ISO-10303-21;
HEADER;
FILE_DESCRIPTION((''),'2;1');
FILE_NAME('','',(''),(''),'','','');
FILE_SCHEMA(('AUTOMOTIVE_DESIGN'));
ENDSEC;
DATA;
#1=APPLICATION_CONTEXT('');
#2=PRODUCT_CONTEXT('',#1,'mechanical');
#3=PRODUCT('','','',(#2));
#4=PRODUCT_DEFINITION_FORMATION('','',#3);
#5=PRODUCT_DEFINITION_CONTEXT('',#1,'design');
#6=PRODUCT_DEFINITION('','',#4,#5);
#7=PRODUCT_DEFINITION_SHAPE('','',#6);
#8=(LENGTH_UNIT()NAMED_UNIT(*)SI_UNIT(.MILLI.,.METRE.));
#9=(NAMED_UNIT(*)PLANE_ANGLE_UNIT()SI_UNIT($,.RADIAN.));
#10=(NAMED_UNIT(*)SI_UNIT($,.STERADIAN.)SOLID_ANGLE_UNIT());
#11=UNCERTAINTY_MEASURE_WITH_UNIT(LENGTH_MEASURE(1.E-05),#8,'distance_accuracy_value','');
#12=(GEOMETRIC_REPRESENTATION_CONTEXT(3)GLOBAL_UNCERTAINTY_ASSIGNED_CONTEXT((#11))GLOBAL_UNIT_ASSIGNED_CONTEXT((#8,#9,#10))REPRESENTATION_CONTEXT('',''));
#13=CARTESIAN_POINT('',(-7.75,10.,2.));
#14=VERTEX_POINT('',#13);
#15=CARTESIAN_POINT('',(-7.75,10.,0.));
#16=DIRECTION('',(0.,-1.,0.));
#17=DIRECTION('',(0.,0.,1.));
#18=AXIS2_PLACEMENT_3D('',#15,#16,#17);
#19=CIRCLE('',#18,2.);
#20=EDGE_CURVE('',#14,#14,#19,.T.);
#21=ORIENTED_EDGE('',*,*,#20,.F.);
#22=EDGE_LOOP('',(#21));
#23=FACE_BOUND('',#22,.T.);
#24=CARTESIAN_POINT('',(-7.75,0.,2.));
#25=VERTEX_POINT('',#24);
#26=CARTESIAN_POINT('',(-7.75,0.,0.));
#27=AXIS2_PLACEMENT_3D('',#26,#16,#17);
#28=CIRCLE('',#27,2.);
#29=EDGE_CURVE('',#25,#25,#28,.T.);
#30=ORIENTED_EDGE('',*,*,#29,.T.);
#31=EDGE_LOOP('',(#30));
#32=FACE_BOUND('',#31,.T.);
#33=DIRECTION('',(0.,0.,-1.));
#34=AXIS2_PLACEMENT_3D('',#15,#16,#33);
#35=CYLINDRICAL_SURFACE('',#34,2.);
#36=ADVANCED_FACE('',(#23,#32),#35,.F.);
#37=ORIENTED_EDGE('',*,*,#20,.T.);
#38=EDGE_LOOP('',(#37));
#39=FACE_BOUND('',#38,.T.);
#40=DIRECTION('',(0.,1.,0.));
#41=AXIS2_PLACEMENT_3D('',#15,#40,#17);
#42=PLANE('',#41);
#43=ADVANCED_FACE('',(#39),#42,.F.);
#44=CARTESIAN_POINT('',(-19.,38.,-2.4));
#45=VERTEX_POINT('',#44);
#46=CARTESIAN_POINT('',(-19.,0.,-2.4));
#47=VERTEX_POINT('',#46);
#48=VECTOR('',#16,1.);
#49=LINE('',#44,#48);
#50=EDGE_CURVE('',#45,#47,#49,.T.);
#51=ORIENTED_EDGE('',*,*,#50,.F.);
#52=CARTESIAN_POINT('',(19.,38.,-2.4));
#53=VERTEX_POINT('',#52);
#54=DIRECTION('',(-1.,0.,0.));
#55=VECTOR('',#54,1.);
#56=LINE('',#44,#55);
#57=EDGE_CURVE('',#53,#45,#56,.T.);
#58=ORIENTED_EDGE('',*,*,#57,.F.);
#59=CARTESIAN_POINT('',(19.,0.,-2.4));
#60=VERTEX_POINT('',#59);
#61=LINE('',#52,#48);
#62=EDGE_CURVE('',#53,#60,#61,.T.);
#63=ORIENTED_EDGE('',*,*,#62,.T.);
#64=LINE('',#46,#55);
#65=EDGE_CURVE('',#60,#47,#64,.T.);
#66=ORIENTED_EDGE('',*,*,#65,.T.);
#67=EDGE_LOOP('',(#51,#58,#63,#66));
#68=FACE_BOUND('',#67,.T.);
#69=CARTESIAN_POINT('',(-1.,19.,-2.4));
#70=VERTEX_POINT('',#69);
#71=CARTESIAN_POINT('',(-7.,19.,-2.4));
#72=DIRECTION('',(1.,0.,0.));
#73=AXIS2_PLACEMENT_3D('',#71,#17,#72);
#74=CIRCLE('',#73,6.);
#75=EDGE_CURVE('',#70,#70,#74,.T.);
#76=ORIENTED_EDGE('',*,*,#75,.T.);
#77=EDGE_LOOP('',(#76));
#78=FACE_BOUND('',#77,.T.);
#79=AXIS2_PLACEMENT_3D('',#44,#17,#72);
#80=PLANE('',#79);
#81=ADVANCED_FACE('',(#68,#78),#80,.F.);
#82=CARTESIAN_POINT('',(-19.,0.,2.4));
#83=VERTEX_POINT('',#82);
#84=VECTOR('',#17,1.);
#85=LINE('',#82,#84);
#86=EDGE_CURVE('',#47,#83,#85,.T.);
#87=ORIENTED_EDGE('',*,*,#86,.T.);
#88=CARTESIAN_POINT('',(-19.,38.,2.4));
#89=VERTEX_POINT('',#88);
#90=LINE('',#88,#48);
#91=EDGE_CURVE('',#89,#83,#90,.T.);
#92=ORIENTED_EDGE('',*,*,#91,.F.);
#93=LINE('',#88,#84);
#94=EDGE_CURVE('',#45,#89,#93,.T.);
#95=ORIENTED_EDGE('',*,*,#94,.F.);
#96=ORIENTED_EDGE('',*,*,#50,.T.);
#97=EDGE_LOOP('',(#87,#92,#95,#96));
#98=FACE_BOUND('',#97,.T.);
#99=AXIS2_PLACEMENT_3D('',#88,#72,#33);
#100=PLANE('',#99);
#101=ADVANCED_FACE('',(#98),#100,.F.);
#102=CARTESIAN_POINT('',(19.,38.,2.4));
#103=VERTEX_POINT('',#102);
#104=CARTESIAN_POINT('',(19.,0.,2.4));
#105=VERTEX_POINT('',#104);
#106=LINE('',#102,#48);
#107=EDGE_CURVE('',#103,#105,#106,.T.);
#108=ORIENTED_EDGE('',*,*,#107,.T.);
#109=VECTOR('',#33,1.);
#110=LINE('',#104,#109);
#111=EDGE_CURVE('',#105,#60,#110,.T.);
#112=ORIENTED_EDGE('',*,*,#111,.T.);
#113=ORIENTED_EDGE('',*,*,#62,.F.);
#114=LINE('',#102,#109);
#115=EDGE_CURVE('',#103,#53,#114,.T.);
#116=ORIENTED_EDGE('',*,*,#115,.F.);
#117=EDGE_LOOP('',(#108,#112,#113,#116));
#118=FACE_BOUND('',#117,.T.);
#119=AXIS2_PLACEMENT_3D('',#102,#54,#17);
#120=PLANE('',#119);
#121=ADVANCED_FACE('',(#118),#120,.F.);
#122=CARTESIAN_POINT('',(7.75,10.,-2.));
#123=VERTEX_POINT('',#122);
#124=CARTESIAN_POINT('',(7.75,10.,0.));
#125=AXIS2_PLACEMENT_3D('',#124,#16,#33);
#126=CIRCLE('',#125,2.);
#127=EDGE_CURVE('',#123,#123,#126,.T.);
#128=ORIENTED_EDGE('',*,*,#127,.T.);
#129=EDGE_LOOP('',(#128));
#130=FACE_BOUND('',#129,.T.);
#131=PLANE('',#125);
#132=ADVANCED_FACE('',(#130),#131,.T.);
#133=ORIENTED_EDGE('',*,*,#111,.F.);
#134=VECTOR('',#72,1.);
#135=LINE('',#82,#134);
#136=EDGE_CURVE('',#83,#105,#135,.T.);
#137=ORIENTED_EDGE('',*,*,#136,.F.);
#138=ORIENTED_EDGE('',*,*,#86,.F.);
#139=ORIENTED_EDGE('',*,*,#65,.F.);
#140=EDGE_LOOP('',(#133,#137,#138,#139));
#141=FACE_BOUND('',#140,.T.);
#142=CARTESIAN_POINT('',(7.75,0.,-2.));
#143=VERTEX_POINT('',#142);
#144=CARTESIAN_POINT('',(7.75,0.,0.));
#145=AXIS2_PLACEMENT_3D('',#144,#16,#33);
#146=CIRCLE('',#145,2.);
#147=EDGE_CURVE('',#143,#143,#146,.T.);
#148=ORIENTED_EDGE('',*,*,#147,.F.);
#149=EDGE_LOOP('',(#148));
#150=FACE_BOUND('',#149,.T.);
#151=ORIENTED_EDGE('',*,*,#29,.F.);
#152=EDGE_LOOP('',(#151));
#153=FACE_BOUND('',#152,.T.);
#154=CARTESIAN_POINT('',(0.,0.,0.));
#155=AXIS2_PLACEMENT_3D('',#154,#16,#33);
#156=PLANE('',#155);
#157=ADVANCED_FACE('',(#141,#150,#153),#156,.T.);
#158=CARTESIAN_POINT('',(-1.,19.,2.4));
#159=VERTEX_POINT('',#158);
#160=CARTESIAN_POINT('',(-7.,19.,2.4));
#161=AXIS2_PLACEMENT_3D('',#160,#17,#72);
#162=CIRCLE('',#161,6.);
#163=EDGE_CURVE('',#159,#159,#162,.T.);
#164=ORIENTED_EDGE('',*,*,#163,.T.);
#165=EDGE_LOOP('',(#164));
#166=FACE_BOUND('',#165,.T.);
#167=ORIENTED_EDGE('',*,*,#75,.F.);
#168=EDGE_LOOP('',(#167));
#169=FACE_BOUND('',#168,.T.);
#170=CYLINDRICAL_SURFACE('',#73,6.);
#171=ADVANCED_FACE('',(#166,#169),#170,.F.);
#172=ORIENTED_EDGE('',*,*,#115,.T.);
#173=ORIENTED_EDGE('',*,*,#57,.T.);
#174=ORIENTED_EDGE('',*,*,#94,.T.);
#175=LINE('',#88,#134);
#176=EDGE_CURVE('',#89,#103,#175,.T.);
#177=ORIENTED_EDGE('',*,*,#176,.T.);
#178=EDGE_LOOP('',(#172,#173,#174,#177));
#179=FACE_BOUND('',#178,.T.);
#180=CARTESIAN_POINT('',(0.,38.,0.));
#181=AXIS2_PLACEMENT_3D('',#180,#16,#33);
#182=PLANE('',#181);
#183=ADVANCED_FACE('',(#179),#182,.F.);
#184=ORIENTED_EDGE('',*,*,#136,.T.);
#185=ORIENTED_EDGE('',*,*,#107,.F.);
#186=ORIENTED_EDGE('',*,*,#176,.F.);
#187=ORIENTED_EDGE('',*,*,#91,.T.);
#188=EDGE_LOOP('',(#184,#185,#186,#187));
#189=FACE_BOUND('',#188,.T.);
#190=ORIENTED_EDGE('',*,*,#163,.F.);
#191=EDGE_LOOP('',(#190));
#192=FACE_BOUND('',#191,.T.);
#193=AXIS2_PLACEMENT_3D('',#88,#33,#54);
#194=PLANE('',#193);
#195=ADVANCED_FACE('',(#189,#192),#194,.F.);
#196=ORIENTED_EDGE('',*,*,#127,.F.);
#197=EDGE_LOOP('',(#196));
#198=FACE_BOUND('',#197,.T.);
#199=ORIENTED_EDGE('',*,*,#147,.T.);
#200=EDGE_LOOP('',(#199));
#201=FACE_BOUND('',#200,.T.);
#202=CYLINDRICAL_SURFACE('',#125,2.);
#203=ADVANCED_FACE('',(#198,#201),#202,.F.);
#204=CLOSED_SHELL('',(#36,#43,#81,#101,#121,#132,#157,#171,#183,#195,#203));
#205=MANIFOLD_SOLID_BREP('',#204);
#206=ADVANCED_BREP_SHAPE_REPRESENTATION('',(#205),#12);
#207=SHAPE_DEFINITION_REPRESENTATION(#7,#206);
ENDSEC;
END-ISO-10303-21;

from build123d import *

# Parameters (mm, degrees)
SKETCH1_W           = 38
SKETCH1_H           = 4.8
BOSS_EXTRUDE1_DEPTH = 38
SKETCH2_R           = 2
CUT_EXTRUDE1_DEPTH  = 10
SKETCH3_R           = 6
CUT_EXTRUDE2_DEPTH  = 5.8


with BuildPart() as part:
    # Sketch1 → Boss-Extrude1 (new body)
    with BuildSketch(Plane(origin=(0, 0, 0), x_dir=(1, 0, 0), z_dir=(0, 1, 0))):
        Rectangle(SKETCH1_W, SKETCH1_H)
    extrude(amount=BOSS_EXTRUDE1_DEPTH)

    # Sketch2 → Cut-Extrude1 (cut)
    with BuildSketch(Plane.XZ):
        with Locations((7.75, 0)):
            Circle(SKETCH2_R)
        with Locations((-7.75, 0)):
            Circle(SKETCH2_R)
    extrude(amount=-CUT_EXTRUDE1_DEPTH, mode=Mode.SUBTRACT)

    # Sketch3 → Cut-Extrude2 (cut, through all)
    with BuildSketch(Plane.XY.offset(2.4)):
        with Locations((-7, 19)):
            Circle(SKETCH3_R)
    extrude(amount=-CUT_EXTRUDE2_DEPTH, mode=Mode.SUBTRACT)


solid = part.part
